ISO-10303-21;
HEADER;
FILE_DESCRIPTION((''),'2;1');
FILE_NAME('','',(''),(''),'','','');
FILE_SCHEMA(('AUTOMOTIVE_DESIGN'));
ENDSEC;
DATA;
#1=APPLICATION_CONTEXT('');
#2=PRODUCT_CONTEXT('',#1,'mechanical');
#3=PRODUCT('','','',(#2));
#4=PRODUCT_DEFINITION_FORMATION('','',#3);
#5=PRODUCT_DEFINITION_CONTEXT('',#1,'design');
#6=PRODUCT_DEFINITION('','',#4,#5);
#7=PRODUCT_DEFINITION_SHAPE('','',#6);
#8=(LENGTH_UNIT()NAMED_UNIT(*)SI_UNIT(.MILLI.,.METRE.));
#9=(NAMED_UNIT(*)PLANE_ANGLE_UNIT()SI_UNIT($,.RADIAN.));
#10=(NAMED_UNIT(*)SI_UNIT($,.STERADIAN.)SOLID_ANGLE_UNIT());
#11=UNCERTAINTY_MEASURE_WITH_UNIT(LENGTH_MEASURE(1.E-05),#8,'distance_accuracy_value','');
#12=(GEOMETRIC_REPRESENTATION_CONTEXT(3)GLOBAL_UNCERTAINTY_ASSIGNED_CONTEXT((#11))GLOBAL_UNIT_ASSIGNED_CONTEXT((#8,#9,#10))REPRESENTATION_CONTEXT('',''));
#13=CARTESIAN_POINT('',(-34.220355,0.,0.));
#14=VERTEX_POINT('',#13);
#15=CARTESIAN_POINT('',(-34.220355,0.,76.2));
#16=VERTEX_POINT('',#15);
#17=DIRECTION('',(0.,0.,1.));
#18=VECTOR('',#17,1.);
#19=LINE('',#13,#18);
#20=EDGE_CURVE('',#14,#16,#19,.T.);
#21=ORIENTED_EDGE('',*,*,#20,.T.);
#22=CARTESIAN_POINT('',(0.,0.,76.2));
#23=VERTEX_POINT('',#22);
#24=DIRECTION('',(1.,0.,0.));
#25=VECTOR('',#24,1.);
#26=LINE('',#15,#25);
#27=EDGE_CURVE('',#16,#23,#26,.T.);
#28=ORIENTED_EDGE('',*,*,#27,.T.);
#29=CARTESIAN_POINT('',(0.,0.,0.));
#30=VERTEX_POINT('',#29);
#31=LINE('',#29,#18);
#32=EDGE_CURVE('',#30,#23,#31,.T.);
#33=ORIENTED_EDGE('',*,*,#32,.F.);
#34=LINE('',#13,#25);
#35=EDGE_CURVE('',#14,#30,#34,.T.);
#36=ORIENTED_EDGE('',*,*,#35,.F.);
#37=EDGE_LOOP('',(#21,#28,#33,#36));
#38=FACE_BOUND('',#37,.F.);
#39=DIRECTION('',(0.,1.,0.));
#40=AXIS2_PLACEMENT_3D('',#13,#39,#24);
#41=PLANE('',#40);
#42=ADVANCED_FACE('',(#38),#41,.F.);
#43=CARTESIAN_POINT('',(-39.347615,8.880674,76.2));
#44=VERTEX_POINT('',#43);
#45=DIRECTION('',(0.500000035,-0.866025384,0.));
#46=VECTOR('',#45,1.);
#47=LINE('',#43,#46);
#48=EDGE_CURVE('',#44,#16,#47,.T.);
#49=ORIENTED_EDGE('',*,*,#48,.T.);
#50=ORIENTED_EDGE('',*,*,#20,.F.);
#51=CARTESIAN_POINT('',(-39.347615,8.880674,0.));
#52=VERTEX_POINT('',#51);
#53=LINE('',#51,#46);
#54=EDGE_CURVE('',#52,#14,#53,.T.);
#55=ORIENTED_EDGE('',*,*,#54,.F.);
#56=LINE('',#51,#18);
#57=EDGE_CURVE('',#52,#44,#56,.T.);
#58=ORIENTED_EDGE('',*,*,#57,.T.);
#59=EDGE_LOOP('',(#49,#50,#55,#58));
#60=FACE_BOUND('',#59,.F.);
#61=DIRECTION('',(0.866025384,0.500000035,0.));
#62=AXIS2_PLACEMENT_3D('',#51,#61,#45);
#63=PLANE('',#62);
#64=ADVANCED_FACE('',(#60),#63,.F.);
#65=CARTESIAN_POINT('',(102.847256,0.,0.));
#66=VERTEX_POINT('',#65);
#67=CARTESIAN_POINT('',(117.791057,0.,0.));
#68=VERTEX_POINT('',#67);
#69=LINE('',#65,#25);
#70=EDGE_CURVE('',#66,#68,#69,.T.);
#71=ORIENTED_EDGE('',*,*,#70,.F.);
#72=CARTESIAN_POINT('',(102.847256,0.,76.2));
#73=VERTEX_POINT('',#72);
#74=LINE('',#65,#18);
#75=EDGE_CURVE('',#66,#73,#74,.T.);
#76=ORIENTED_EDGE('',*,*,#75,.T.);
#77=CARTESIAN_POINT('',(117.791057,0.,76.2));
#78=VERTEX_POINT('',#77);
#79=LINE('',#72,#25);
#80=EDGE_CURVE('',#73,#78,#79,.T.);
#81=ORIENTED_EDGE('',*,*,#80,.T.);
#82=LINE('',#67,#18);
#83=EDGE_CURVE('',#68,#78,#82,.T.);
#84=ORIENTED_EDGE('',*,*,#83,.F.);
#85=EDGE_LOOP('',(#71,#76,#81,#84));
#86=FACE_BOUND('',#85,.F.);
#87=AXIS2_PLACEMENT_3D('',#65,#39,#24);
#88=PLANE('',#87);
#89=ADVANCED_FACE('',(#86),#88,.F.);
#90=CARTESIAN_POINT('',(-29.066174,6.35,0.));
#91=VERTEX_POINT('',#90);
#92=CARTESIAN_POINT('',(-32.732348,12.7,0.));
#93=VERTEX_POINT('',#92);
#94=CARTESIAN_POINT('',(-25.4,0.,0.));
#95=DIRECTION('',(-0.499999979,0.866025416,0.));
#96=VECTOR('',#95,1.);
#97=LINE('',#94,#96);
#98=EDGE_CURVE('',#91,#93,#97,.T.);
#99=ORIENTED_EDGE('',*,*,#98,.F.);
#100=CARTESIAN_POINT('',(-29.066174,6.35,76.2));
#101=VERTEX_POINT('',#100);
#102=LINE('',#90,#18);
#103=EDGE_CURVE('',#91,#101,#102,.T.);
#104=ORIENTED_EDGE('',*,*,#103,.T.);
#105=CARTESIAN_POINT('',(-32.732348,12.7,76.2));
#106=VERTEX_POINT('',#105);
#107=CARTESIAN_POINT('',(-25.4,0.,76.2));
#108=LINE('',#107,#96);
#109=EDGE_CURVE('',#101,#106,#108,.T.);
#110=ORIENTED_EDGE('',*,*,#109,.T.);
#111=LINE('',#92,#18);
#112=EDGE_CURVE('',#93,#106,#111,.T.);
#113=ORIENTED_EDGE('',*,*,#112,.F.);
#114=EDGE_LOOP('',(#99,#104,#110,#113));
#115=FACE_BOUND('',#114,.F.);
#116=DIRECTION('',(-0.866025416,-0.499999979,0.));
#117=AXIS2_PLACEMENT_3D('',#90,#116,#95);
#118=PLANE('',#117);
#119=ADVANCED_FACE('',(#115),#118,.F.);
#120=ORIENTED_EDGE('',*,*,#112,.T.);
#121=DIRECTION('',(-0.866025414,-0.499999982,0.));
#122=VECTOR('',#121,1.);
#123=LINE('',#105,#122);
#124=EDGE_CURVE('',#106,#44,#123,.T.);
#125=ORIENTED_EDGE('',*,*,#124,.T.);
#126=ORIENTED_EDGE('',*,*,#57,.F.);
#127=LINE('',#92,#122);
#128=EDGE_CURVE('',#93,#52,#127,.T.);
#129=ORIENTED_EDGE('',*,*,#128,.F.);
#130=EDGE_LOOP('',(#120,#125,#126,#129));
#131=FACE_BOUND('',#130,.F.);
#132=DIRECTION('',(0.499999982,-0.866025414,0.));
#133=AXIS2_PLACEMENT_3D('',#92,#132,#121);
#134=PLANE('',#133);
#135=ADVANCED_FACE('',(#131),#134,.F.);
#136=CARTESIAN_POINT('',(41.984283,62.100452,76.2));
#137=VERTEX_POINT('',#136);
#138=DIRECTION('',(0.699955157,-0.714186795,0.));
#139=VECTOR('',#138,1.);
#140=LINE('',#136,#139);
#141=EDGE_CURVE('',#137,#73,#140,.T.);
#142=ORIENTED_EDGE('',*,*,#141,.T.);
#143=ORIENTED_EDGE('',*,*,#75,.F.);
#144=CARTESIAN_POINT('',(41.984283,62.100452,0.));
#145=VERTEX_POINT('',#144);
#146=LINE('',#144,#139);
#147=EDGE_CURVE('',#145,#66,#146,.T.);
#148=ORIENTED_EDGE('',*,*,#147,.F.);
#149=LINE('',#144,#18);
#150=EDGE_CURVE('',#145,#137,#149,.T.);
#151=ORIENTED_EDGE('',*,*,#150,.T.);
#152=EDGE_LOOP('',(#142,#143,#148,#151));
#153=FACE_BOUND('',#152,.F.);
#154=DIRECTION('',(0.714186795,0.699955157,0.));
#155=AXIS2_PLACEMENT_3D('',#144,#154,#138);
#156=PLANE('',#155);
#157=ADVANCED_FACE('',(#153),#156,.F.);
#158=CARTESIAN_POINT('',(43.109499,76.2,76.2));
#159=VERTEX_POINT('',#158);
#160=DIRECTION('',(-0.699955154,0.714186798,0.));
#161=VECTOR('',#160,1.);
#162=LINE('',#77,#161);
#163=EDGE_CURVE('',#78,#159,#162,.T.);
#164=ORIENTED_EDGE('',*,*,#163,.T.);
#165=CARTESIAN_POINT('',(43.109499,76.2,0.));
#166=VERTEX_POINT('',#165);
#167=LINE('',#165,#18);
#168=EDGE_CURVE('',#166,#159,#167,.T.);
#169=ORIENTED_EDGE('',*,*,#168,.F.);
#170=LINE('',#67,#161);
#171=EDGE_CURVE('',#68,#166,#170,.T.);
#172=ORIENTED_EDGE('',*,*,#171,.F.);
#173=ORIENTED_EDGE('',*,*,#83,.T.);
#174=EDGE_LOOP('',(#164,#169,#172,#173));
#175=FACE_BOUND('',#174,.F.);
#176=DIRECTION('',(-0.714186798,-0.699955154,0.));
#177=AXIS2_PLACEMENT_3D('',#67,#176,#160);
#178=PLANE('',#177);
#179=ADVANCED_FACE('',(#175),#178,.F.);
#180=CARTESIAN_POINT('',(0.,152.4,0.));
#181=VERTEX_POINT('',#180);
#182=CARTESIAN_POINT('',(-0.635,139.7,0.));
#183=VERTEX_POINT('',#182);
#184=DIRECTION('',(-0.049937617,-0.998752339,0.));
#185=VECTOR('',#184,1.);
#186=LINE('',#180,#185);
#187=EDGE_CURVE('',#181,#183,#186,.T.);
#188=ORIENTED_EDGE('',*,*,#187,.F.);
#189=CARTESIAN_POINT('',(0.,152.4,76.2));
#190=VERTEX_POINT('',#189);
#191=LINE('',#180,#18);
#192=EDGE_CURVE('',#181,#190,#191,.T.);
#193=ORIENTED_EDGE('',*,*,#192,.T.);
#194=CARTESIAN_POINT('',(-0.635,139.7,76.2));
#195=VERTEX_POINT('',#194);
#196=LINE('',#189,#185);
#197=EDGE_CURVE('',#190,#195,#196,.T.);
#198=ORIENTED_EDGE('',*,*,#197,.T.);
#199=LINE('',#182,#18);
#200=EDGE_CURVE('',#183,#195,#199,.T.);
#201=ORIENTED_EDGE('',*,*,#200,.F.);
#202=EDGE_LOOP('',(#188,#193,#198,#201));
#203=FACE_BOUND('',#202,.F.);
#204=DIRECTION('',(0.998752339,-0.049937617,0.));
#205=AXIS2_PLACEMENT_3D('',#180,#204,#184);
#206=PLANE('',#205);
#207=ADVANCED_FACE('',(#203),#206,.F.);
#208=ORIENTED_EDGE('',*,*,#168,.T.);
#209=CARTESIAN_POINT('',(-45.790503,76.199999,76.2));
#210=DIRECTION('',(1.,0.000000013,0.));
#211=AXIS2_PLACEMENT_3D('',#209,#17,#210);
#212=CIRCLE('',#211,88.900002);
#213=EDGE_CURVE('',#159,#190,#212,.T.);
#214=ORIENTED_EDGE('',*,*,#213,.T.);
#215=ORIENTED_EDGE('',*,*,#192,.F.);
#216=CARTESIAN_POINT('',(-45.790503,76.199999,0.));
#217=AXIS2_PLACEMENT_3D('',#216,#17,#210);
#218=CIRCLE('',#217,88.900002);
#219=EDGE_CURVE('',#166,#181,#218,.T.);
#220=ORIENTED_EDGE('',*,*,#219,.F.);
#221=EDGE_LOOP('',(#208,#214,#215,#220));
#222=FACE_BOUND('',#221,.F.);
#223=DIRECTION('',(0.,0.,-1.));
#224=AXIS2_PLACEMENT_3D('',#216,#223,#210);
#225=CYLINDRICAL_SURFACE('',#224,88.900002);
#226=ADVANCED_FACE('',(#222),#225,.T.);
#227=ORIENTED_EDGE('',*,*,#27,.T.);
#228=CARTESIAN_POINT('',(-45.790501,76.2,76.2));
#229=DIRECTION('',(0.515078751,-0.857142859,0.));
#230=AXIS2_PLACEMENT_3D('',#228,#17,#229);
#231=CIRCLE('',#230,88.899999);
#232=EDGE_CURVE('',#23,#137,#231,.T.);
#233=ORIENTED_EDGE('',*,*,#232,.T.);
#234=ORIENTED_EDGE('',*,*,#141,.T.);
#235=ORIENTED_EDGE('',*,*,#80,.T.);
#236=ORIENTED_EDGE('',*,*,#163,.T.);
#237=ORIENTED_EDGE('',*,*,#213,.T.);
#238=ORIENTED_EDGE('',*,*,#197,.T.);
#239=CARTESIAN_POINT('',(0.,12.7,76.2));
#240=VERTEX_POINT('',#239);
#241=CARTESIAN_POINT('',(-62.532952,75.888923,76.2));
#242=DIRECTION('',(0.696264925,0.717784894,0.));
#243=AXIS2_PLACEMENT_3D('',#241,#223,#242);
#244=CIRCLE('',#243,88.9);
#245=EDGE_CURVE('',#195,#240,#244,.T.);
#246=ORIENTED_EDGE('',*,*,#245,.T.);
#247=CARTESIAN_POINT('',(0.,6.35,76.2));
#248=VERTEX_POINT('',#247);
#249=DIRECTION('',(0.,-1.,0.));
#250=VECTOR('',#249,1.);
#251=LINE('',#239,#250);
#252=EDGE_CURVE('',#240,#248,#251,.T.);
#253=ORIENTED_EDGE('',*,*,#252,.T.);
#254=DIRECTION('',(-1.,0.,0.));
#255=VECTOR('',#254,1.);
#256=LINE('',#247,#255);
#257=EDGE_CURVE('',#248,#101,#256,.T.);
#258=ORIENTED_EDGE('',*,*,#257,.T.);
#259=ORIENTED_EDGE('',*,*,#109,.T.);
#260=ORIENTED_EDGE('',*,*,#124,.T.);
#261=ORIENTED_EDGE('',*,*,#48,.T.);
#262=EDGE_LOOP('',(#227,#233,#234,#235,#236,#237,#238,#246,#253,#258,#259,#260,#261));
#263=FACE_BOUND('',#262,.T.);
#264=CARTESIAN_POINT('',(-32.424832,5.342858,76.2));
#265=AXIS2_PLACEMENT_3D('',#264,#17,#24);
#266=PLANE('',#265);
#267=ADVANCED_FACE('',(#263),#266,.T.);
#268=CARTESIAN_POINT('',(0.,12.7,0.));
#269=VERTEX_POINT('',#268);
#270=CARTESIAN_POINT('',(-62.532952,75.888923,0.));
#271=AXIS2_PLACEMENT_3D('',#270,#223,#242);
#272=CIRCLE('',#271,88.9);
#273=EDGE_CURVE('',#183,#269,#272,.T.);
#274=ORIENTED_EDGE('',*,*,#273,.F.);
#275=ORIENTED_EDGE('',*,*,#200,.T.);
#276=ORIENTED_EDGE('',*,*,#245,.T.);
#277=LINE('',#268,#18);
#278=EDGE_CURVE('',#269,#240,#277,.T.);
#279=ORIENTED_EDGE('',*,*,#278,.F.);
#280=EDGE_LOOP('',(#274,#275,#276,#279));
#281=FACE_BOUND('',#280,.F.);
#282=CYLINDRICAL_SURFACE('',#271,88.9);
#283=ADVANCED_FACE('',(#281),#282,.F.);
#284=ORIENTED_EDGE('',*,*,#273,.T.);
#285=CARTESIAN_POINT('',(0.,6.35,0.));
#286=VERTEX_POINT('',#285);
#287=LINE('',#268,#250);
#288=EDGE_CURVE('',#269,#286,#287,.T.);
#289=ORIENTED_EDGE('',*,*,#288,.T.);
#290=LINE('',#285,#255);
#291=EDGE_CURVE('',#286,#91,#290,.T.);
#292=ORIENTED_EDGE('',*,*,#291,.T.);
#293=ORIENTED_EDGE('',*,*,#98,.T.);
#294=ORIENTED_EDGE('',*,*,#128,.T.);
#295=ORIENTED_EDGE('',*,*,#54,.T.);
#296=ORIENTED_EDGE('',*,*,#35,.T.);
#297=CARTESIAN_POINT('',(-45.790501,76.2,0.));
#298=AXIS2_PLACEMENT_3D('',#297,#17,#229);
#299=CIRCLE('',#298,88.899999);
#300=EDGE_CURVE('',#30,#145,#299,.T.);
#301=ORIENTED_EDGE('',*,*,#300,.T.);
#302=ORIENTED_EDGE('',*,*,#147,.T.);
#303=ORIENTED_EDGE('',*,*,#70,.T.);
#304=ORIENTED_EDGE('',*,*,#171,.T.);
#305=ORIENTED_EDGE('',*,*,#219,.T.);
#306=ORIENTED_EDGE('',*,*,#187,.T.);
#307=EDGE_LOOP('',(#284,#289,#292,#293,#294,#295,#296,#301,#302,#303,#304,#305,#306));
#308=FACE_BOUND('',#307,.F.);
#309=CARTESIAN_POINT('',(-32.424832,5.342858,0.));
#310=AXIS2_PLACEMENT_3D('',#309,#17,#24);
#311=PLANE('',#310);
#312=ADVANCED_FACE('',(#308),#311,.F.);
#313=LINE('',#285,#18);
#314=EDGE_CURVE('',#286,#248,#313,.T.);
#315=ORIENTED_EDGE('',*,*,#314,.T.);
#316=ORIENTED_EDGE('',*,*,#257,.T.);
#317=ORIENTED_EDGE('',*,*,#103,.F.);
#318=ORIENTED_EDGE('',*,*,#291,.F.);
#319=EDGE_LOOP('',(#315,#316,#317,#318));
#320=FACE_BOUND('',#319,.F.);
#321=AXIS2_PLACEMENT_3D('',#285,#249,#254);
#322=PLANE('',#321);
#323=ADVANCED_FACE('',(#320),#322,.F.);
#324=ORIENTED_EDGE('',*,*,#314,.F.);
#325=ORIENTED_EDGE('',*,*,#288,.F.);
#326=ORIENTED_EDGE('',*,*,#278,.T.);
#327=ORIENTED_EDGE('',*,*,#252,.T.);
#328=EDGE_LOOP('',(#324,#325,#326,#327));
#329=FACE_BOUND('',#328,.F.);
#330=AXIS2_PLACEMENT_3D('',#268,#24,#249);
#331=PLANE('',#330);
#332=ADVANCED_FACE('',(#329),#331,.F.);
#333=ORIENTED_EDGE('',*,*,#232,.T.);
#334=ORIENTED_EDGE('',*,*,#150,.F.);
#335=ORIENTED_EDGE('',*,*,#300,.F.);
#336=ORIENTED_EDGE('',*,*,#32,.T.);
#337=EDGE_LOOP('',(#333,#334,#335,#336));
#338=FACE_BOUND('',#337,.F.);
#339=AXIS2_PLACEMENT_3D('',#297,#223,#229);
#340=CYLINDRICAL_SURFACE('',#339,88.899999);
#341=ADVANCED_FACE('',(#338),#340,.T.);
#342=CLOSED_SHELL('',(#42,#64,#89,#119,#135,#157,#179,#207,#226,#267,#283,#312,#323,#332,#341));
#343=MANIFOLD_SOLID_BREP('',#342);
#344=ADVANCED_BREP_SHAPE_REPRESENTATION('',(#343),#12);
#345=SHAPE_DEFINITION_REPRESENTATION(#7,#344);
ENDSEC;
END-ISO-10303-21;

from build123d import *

# Parameters (mm, degrees)
F1_DEPTH = 76.2


with BuildPart() as f1:
    # F0 (on Top) → F1 (new body)
    with BuildSketch(Plane.XY):
        Polygon((-34.220355, 0), (-25.4, 0), (-29.066174, 6.35), (-32.732348, 12.7), (-39.347615, 8.880674), align=None)
        with BuildLine():
            Line((-25.4, 0), (0, 0))
            ThreePointArc((0, 0), (27.857567, 26.408715), (41.984283, 62.100452))
            ThreePointArc((41.984283, 62.100452), (42.827748, 69.127812), (43.109499, 76.2))
            ThreePointArc((43.109499, 76.2), (31.585159, 119.974618), (0, 152.4))
            Line((0, 152.4), (-0.635, 139.7))
            ThreePointArc((-0.635, 139.7), (26.365937, 76.333417), (0, 12.7))
            Line((0, 12.7), (0, 6.35))
            Line((0, 6.35), (-29.066174, 6.35))
            Line((-29.066174, 6.35), (-25.4, 0))
        make_face()
        with BuildLine():
            ThreePointArc((43.109499, 76.2), (42.827748, 69.127812), (41.984283, 62.100452))
            Line((41.984283, 62.100452), (102.847256, 0))
            Line((102.847256, 0), (117.791057, 0))
            Line((117.791057, 0), (43.109499, 76.2))
        make_face()
    extrude(amount=F1_DEPTH)


solid = f1.part
